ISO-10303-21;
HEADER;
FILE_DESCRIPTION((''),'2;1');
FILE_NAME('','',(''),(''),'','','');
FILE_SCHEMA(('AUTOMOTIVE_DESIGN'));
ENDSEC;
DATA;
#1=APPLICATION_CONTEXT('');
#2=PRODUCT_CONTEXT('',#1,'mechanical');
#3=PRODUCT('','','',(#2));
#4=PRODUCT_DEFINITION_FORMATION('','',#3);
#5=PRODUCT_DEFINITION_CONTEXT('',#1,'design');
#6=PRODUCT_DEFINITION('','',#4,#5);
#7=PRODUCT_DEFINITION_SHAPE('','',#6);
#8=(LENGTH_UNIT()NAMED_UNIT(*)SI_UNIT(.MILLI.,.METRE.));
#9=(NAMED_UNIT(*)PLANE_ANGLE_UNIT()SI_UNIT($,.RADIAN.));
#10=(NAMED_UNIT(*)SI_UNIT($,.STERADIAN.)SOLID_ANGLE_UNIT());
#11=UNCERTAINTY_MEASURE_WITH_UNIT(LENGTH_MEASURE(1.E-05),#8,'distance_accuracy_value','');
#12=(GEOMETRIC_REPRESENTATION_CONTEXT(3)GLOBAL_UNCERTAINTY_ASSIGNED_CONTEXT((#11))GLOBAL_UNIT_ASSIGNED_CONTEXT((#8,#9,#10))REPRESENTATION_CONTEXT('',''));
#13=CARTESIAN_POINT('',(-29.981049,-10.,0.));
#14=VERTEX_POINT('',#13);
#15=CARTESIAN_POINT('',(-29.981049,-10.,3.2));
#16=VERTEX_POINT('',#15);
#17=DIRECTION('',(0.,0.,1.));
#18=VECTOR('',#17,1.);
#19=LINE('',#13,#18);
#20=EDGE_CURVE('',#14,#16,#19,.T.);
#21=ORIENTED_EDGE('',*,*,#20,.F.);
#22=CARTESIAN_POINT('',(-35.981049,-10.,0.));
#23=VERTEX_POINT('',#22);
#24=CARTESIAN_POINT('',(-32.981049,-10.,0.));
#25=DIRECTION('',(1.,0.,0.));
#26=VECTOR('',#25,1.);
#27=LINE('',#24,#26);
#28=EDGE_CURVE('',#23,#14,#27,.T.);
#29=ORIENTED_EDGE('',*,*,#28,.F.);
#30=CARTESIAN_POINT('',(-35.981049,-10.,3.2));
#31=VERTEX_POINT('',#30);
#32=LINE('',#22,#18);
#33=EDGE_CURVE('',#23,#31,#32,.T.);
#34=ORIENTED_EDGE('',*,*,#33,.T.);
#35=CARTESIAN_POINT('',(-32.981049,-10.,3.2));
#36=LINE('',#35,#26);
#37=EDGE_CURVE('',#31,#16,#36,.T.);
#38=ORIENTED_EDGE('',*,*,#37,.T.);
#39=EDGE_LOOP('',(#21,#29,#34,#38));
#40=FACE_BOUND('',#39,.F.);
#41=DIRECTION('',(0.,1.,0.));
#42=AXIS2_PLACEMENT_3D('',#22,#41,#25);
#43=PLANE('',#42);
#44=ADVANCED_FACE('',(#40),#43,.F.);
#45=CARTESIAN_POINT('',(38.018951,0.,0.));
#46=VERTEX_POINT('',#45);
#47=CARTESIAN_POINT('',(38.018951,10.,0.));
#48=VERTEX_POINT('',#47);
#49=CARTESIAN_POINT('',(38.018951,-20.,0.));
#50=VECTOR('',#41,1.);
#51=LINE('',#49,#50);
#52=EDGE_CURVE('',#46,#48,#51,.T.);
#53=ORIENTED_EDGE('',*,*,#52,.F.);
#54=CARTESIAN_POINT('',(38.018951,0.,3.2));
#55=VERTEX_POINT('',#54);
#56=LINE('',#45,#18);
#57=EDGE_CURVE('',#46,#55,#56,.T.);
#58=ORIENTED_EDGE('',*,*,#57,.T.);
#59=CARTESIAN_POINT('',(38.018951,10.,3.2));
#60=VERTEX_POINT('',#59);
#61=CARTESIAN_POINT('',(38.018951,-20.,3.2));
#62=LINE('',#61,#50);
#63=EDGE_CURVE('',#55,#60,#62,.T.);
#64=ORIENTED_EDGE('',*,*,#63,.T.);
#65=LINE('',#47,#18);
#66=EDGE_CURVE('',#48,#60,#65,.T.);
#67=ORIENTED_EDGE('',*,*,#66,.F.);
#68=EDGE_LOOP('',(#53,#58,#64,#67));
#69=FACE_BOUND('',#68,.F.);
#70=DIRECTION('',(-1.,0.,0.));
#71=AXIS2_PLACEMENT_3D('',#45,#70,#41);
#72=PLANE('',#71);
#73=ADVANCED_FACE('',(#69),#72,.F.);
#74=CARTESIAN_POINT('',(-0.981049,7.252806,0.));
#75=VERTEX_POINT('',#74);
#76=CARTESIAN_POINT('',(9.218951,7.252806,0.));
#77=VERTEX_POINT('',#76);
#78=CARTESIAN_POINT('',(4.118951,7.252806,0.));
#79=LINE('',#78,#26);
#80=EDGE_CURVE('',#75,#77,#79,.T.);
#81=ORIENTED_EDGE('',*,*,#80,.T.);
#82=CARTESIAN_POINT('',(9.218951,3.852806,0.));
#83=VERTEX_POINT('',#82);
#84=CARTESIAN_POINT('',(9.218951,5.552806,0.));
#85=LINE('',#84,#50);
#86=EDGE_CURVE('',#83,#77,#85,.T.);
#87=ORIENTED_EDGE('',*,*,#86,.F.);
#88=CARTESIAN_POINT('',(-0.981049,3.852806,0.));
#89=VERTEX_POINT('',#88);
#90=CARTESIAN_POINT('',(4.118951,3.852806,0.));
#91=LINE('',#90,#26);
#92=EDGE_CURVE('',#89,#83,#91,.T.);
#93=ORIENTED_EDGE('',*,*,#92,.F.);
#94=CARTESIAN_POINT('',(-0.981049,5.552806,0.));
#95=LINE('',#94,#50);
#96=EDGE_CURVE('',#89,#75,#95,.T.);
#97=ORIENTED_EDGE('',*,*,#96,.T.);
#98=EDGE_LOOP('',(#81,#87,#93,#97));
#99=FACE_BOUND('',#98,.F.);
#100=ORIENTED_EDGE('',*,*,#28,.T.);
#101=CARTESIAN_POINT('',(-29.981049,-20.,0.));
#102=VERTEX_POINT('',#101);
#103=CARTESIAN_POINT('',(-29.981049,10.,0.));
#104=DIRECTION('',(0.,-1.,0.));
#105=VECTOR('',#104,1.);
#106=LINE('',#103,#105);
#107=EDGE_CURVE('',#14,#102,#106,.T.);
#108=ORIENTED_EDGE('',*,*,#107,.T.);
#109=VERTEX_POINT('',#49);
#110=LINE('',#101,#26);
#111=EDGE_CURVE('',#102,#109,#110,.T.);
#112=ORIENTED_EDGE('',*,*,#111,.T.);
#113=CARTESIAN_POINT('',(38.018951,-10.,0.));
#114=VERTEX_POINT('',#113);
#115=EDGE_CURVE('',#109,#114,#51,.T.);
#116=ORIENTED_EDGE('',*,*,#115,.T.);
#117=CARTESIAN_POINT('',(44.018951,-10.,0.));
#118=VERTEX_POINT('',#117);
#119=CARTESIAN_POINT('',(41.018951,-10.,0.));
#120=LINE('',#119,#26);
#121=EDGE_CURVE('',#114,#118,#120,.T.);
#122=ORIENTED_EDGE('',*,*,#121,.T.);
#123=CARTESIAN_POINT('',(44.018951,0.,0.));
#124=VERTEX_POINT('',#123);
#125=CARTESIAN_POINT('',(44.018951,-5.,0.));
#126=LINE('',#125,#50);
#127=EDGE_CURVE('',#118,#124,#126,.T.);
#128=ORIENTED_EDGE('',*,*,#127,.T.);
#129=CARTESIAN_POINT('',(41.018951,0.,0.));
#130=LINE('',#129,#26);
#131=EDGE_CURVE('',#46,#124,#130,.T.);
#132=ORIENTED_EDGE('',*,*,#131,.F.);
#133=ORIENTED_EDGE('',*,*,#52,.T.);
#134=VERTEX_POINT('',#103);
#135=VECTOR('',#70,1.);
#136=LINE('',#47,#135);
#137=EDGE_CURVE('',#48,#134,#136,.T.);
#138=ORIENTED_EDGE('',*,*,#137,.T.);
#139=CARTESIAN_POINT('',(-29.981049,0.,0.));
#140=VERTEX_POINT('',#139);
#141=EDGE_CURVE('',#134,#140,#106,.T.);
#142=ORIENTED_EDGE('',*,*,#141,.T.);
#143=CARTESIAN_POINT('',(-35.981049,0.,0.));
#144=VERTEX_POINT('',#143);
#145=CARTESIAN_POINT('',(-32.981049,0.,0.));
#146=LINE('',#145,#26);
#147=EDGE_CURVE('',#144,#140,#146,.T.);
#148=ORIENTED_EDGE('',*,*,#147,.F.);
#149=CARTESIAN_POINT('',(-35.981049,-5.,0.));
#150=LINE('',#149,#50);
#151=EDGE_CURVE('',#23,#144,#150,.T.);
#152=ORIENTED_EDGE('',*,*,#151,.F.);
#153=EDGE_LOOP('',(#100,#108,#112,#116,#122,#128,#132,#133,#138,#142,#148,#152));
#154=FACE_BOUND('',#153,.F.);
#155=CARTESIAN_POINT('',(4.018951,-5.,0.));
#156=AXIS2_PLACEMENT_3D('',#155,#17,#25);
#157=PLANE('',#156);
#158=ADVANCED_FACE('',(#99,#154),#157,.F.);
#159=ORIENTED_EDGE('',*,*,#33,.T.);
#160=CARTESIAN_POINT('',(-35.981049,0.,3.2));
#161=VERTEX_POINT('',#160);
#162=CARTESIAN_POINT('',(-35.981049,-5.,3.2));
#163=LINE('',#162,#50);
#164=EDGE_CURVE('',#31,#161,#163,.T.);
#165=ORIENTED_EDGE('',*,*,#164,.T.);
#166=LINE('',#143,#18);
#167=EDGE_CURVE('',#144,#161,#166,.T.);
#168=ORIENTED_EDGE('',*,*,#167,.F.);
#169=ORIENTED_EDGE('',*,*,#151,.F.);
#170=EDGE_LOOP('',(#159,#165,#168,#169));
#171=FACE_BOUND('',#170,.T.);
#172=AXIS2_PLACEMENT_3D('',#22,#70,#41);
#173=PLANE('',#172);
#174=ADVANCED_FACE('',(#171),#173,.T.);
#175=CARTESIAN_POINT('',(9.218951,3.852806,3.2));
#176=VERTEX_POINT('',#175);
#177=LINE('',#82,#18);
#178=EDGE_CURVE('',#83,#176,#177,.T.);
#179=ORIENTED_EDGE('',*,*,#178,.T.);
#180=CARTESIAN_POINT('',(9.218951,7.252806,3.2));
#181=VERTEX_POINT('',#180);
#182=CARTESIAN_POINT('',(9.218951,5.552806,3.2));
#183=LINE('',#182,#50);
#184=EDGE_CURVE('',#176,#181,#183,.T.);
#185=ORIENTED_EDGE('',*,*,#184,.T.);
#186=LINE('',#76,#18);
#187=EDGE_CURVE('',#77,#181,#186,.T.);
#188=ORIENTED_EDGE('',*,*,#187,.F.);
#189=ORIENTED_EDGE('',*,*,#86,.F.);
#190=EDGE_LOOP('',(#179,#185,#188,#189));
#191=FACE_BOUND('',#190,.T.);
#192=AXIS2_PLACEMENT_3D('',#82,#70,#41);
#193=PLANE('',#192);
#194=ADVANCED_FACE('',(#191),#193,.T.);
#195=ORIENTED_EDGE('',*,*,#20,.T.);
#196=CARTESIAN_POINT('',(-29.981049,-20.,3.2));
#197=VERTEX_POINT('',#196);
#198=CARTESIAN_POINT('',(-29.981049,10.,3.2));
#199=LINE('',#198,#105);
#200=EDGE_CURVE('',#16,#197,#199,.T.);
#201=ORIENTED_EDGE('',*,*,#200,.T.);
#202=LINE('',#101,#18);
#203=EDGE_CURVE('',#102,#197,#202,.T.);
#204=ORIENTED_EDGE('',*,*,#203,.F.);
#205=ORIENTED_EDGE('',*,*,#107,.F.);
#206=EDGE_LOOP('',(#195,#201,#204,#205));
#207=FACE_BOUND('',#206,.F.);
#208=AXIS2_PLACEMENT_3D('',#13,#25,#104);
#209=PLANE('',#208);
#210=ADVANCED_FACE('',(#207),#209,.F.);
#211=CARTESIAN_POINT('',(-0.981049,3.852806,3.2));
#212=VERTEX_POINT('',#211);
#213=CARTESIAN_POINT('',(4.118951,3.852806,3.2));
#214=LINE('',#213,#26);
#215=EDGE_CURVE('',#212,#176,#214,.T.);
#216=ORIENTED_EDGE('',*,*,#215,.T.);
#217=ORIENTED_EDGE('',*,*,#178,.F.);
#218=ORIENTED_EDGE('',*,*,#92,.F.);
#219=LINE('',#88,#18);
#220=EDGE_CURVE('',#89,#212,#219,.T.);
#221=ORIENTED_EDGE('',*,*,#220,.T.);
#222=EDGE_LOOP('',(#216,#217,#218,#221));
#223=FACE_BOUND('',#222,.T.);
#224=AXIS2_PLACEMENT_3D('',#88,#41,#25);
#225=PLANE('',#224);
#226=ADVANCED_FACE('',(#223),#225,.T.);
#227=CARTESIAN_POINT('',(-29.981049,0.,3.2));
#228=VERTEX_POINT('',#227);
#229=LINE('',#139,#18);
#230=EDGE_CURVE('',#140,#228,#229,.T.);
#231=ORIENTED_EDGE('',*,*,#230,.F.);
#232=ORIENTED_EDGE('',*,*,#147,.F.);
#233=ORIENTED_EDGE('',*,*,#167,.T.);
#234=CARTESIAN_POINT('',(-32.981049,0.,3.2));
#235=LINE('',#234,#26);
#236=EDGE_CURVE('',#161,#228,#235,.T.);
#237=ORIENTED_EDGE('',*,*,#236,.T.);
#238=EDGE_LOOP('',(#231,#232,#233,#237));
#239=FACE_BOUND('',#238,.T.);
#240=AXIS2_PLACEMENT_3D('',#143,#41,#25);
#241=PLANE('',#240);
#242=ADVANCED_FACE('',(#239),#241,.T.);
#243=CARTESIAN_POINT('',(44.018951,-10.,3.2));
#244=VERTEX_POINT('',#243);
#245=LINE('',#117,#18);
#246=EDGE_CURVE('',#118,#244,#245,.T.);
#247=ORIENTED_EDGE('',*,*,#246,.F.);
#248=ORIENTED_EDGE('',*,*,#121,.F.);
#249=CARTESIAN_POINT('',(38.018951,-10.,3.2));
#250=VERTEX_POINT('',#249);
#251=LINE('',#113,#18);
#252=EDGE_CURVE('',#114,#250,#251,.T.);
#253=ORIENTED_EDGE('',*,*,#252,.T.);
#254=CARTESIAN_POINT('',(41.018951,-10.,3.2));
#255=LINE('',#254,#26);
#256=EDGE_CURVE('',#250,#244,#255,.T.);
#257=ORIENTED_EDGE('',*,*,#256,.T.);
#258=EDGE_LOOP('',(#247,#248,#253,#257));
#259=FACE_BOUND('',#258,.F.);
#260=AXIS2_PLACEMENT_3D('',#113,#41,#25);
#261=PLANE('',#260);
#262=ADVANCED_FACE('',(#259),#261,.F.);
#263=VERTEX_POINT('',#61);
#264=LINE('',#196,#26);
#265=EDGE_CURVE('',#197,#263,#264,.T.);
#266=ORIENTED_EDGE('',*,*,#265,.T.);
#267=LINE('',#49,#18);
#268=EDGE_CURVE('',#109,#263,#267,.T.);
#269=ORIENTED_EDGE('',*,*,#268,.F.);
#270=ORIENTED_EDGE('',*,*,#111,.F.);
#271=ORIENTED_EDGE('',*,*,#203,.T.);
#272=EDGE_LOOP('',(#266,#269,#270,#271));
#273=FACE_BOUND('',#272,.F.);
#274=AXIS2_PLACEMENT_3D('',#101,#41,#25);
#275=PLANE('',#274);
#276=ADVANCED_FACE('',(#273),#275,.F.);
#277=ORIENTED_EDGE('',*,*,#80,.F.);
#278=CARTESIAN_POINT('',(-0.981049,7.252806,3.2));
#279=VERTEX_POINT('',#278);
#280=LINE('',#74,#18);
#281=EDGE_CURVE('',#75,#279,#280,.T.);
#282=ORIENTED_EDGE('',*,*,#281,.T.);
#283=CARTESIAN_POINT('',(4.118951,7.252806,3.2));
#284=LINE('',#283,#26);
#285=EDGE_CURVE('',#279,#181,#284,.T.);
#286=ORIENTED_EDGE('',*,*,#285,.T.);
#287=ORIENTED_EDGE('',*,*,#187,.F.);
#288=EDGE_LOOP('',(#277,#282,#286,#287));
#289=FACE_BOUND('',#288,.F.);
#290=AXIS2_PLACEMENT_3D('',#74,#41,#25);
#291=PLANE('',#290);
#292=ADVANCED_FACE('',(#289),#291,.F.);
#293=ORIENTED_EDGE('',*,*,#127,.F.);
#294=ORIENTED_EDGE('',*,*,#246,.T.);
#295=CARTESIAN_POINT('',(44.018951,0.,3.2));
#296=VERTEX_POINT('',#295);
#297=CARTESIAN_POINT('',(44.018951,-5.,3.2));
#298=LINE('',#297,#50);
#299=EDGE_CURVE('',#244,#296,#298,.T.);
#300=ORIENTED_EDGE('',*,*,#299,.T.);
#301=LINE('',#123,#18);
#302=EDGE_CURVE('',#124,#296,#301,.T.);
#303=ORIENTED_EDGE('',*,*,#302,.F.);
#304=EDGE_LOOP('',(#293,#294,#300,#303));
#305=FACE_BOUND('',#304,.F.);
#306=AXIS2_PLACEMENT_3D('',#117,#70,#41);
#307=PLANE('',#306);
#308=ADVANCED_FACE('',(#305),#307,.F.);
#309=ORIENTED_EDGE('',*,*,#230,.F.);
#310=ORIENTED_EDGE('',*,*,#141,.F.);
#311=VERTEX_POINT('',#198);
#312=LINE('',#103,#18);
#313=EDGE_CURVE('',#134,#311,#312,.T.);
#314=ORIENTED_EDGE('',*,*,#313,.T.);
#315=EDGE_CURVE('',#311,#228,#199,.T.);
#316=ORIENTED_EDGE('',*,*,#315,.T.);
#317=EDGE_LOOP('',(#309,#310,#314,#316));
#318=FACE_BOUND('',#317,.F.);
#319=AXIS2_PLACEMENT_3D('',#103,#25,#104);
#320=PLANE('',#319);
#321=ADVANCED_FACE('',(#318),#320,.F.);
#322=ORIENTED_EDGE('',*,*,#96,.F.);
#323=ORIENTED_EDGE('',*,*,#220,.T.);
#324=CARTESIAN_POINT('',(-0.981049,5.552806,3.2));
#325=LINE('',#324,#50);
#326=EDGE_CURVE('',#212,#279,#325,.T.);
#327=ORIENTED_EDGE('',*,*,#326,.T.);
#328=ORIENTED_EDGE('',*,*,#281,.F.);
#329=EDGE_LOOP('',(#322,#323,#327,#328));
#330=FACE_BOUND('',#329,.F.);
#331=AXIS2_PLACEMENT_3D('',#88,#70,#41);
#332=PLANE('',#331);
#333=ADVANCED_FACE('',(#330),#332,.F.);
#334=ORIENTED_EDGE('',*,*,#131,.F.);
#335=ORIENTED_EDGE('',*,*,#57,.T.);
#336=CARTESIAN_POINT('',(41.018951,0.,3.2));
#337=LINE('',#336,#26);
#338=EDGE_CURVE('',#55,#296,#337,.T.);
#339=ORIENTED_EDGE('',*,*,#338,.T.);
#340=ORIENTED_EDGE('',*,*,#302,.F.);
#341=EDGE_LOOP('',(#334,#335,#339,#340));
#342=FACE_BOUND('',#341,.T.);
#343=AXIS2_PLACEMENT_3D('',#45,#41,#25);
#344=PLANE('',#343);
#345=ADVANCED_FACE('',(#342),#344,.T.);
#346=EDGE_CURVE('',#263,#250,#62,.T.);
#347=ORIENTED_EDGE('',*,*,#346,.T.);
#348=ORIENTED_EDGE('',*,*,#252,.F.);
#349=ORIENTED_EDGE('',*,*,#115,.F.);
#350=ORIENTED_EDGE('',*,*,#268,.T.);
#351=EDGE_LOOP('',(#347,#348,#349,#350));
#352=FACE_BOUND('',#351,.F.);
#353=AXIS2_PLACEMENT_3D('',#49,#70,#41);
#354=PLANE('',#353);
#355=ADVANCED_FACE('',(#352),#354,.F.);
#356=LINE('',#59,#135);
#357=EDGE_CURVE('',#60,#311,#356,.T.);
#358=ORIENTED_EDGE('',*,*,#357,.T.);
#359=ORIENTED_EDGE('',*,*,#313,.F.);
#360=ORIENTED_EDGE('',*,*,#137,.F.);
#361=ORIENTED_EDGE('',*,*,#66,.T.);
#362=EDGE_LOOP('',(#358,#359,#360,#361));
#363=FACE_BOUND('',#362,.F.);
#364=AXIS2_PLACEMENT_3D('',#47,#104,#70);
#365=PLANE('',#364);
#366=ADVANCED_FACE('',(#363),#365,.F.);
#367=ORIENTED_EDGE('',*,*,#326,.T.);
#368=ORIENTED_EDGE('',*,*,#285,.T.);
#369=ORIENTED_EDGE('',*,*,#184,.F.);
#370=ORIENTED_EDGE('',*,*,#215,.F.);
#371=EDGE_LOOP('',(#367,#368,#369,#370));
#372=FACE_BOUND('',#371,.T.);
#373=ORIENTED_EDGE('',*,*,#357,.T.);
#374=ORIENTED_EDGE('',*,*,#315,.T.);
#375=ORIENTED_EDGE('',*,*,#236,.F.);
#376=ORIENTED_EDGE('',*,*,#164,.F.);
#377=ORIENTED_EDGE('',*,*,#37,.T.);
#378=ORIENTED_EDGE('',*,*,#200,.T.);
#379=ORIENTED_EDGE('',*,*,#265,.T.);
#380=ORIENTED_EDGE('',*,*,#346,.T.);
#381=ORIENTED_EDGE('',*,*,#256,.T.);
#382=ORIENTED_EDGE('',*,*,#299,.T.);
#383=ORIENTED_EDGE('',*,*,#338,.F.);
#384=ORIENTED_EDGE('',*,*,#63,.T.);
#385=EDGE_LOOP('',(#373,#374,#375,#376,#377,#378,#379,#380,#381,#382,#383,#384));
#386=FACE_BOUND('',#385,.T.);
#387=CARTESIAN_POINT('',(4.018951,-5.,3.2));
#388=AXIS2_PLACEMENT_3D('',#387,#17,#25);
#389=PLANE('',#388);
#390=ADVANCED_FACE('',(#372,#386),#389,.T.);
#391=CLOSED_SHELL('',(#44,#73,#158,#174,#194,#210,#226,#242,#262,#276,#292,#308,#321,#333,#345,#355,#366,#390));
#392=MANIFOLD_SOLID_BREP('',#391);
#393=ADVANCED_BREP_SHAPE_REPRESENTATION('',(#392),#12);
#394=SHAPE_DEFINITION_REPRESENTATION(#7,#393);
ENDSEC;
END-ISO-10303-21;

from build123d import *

# Parameters (mm, degrees)
F0_W     = 10.2
F0_H     = 3.4
F0_W_2   = 6
F0_H_2   = 10
F1_DEPTH = 3.2


with BuildPart() as f1:
    # F0 (on Top) → F1 (new body)
    with BuildSketch(Plane.XY):
        Polygon((38.018951, 10), (-29.981049, 10), (-29.981049, 0), (-29.981049, -10), (-29.981049, -20), (38.018951, -20), (38.018951, -10), (38.018951, 0), align=None)
        with Locations((4.118951, 5.552806)):
            Rectangle(F0_W, F0_H, mode=Mode.SUBTRACT)
        with Locations((-32.981049, -5)):
            Rectangle(F0_W_2, F0_H_2)
        with Locations((41.018951, -5)):
            Rectangle(F0_W_2, F0_H_2)
    extrude(amount=F1_DEPTH)


solid = f1.part
